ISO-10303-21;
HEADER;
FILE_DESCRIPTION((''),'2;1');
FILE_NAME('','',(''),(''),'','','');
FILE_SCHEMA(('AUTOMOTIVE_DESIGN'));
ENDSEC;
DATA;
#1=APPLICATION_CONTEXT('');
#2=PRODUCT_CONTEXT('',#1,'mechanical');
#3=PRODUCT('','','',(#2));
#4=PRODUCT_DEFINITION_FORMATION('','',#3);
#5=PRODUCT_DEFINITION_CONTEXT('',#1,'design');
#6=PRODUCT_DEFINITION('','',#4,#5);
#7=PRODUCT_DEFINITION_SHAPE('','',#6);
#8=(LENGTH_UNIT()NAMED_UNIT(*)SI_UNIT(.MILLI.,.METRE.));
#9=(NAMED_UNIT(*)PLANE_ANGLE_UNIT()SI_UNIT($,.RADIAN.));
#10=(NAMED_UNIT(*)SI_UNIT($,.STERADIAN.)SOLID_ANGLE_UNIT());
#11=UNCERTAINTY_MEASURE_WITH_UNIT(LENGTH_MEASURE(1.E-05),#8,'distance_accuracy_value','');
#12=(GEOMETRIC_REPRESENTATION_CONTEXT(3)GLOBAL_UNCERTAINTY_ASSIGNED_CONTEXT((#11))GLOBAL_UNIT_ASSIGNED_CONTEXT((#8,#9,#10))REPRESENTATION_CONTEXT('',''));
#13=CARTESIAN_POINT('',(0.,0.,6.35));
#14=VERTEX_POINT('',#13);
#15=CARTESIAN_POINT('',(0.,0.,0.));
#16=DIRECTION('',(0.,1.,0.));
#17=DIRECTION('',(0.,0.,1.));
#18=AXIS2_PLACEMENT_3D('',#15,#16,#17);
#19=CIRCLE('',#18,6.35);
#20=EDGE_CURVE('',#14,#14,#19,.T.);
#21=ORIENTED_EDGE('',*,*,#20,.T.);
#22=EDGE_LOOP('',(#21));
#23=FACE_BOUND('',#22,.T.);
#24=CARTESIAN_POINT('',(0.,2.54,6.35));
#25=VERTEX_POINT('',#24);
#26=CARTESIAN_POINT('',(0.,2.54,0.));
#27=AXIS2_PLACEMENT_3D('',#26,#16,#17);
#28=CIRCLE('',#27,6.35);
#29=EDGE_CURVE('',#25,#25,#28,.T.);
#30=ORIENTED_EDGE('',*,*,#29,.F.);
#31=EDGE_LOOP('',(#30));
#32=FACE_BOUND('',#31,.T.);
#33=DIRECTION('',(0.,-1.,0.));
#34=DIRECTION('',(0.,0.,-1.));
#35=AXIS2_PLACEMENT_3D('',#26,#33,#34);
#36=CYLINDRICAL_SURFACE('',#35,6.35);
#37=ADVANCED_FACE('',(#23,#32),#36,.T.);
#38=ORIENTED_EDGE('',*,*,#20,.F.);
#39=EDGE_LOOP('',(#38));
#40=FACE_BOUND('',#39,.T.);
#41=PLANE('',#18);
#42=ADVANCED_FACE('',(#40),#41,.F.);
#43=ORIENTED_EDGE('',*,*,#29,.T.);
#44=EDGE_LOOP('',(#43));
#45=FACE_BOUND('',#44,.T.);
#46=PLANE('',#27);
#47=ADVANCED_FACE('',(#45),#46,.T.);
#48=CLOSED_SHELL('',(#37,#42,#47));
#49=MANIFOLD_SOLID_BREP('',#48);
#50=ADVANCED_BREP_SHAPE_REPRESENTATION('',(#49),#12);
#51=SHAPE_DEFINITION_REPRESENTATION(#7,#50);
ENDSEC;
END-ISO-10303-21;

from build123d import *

# Parameters (mm, degrees)
SKETCH1_R      = 6.35
EXTRUDE1_DEPTH = 2.54


with BuildPart() as part:
    # Sketch1 → Extrude1 (new body)
    with BuildSketch(Plane(origin=(0, 0, 0), x_dir=(1, 0, 0), z_dir=(0, 1, 0))):
        Circle(SKETCH1_R)
    extrude(amount=EXTRUDE1_DEPTH)


solid = part.part
